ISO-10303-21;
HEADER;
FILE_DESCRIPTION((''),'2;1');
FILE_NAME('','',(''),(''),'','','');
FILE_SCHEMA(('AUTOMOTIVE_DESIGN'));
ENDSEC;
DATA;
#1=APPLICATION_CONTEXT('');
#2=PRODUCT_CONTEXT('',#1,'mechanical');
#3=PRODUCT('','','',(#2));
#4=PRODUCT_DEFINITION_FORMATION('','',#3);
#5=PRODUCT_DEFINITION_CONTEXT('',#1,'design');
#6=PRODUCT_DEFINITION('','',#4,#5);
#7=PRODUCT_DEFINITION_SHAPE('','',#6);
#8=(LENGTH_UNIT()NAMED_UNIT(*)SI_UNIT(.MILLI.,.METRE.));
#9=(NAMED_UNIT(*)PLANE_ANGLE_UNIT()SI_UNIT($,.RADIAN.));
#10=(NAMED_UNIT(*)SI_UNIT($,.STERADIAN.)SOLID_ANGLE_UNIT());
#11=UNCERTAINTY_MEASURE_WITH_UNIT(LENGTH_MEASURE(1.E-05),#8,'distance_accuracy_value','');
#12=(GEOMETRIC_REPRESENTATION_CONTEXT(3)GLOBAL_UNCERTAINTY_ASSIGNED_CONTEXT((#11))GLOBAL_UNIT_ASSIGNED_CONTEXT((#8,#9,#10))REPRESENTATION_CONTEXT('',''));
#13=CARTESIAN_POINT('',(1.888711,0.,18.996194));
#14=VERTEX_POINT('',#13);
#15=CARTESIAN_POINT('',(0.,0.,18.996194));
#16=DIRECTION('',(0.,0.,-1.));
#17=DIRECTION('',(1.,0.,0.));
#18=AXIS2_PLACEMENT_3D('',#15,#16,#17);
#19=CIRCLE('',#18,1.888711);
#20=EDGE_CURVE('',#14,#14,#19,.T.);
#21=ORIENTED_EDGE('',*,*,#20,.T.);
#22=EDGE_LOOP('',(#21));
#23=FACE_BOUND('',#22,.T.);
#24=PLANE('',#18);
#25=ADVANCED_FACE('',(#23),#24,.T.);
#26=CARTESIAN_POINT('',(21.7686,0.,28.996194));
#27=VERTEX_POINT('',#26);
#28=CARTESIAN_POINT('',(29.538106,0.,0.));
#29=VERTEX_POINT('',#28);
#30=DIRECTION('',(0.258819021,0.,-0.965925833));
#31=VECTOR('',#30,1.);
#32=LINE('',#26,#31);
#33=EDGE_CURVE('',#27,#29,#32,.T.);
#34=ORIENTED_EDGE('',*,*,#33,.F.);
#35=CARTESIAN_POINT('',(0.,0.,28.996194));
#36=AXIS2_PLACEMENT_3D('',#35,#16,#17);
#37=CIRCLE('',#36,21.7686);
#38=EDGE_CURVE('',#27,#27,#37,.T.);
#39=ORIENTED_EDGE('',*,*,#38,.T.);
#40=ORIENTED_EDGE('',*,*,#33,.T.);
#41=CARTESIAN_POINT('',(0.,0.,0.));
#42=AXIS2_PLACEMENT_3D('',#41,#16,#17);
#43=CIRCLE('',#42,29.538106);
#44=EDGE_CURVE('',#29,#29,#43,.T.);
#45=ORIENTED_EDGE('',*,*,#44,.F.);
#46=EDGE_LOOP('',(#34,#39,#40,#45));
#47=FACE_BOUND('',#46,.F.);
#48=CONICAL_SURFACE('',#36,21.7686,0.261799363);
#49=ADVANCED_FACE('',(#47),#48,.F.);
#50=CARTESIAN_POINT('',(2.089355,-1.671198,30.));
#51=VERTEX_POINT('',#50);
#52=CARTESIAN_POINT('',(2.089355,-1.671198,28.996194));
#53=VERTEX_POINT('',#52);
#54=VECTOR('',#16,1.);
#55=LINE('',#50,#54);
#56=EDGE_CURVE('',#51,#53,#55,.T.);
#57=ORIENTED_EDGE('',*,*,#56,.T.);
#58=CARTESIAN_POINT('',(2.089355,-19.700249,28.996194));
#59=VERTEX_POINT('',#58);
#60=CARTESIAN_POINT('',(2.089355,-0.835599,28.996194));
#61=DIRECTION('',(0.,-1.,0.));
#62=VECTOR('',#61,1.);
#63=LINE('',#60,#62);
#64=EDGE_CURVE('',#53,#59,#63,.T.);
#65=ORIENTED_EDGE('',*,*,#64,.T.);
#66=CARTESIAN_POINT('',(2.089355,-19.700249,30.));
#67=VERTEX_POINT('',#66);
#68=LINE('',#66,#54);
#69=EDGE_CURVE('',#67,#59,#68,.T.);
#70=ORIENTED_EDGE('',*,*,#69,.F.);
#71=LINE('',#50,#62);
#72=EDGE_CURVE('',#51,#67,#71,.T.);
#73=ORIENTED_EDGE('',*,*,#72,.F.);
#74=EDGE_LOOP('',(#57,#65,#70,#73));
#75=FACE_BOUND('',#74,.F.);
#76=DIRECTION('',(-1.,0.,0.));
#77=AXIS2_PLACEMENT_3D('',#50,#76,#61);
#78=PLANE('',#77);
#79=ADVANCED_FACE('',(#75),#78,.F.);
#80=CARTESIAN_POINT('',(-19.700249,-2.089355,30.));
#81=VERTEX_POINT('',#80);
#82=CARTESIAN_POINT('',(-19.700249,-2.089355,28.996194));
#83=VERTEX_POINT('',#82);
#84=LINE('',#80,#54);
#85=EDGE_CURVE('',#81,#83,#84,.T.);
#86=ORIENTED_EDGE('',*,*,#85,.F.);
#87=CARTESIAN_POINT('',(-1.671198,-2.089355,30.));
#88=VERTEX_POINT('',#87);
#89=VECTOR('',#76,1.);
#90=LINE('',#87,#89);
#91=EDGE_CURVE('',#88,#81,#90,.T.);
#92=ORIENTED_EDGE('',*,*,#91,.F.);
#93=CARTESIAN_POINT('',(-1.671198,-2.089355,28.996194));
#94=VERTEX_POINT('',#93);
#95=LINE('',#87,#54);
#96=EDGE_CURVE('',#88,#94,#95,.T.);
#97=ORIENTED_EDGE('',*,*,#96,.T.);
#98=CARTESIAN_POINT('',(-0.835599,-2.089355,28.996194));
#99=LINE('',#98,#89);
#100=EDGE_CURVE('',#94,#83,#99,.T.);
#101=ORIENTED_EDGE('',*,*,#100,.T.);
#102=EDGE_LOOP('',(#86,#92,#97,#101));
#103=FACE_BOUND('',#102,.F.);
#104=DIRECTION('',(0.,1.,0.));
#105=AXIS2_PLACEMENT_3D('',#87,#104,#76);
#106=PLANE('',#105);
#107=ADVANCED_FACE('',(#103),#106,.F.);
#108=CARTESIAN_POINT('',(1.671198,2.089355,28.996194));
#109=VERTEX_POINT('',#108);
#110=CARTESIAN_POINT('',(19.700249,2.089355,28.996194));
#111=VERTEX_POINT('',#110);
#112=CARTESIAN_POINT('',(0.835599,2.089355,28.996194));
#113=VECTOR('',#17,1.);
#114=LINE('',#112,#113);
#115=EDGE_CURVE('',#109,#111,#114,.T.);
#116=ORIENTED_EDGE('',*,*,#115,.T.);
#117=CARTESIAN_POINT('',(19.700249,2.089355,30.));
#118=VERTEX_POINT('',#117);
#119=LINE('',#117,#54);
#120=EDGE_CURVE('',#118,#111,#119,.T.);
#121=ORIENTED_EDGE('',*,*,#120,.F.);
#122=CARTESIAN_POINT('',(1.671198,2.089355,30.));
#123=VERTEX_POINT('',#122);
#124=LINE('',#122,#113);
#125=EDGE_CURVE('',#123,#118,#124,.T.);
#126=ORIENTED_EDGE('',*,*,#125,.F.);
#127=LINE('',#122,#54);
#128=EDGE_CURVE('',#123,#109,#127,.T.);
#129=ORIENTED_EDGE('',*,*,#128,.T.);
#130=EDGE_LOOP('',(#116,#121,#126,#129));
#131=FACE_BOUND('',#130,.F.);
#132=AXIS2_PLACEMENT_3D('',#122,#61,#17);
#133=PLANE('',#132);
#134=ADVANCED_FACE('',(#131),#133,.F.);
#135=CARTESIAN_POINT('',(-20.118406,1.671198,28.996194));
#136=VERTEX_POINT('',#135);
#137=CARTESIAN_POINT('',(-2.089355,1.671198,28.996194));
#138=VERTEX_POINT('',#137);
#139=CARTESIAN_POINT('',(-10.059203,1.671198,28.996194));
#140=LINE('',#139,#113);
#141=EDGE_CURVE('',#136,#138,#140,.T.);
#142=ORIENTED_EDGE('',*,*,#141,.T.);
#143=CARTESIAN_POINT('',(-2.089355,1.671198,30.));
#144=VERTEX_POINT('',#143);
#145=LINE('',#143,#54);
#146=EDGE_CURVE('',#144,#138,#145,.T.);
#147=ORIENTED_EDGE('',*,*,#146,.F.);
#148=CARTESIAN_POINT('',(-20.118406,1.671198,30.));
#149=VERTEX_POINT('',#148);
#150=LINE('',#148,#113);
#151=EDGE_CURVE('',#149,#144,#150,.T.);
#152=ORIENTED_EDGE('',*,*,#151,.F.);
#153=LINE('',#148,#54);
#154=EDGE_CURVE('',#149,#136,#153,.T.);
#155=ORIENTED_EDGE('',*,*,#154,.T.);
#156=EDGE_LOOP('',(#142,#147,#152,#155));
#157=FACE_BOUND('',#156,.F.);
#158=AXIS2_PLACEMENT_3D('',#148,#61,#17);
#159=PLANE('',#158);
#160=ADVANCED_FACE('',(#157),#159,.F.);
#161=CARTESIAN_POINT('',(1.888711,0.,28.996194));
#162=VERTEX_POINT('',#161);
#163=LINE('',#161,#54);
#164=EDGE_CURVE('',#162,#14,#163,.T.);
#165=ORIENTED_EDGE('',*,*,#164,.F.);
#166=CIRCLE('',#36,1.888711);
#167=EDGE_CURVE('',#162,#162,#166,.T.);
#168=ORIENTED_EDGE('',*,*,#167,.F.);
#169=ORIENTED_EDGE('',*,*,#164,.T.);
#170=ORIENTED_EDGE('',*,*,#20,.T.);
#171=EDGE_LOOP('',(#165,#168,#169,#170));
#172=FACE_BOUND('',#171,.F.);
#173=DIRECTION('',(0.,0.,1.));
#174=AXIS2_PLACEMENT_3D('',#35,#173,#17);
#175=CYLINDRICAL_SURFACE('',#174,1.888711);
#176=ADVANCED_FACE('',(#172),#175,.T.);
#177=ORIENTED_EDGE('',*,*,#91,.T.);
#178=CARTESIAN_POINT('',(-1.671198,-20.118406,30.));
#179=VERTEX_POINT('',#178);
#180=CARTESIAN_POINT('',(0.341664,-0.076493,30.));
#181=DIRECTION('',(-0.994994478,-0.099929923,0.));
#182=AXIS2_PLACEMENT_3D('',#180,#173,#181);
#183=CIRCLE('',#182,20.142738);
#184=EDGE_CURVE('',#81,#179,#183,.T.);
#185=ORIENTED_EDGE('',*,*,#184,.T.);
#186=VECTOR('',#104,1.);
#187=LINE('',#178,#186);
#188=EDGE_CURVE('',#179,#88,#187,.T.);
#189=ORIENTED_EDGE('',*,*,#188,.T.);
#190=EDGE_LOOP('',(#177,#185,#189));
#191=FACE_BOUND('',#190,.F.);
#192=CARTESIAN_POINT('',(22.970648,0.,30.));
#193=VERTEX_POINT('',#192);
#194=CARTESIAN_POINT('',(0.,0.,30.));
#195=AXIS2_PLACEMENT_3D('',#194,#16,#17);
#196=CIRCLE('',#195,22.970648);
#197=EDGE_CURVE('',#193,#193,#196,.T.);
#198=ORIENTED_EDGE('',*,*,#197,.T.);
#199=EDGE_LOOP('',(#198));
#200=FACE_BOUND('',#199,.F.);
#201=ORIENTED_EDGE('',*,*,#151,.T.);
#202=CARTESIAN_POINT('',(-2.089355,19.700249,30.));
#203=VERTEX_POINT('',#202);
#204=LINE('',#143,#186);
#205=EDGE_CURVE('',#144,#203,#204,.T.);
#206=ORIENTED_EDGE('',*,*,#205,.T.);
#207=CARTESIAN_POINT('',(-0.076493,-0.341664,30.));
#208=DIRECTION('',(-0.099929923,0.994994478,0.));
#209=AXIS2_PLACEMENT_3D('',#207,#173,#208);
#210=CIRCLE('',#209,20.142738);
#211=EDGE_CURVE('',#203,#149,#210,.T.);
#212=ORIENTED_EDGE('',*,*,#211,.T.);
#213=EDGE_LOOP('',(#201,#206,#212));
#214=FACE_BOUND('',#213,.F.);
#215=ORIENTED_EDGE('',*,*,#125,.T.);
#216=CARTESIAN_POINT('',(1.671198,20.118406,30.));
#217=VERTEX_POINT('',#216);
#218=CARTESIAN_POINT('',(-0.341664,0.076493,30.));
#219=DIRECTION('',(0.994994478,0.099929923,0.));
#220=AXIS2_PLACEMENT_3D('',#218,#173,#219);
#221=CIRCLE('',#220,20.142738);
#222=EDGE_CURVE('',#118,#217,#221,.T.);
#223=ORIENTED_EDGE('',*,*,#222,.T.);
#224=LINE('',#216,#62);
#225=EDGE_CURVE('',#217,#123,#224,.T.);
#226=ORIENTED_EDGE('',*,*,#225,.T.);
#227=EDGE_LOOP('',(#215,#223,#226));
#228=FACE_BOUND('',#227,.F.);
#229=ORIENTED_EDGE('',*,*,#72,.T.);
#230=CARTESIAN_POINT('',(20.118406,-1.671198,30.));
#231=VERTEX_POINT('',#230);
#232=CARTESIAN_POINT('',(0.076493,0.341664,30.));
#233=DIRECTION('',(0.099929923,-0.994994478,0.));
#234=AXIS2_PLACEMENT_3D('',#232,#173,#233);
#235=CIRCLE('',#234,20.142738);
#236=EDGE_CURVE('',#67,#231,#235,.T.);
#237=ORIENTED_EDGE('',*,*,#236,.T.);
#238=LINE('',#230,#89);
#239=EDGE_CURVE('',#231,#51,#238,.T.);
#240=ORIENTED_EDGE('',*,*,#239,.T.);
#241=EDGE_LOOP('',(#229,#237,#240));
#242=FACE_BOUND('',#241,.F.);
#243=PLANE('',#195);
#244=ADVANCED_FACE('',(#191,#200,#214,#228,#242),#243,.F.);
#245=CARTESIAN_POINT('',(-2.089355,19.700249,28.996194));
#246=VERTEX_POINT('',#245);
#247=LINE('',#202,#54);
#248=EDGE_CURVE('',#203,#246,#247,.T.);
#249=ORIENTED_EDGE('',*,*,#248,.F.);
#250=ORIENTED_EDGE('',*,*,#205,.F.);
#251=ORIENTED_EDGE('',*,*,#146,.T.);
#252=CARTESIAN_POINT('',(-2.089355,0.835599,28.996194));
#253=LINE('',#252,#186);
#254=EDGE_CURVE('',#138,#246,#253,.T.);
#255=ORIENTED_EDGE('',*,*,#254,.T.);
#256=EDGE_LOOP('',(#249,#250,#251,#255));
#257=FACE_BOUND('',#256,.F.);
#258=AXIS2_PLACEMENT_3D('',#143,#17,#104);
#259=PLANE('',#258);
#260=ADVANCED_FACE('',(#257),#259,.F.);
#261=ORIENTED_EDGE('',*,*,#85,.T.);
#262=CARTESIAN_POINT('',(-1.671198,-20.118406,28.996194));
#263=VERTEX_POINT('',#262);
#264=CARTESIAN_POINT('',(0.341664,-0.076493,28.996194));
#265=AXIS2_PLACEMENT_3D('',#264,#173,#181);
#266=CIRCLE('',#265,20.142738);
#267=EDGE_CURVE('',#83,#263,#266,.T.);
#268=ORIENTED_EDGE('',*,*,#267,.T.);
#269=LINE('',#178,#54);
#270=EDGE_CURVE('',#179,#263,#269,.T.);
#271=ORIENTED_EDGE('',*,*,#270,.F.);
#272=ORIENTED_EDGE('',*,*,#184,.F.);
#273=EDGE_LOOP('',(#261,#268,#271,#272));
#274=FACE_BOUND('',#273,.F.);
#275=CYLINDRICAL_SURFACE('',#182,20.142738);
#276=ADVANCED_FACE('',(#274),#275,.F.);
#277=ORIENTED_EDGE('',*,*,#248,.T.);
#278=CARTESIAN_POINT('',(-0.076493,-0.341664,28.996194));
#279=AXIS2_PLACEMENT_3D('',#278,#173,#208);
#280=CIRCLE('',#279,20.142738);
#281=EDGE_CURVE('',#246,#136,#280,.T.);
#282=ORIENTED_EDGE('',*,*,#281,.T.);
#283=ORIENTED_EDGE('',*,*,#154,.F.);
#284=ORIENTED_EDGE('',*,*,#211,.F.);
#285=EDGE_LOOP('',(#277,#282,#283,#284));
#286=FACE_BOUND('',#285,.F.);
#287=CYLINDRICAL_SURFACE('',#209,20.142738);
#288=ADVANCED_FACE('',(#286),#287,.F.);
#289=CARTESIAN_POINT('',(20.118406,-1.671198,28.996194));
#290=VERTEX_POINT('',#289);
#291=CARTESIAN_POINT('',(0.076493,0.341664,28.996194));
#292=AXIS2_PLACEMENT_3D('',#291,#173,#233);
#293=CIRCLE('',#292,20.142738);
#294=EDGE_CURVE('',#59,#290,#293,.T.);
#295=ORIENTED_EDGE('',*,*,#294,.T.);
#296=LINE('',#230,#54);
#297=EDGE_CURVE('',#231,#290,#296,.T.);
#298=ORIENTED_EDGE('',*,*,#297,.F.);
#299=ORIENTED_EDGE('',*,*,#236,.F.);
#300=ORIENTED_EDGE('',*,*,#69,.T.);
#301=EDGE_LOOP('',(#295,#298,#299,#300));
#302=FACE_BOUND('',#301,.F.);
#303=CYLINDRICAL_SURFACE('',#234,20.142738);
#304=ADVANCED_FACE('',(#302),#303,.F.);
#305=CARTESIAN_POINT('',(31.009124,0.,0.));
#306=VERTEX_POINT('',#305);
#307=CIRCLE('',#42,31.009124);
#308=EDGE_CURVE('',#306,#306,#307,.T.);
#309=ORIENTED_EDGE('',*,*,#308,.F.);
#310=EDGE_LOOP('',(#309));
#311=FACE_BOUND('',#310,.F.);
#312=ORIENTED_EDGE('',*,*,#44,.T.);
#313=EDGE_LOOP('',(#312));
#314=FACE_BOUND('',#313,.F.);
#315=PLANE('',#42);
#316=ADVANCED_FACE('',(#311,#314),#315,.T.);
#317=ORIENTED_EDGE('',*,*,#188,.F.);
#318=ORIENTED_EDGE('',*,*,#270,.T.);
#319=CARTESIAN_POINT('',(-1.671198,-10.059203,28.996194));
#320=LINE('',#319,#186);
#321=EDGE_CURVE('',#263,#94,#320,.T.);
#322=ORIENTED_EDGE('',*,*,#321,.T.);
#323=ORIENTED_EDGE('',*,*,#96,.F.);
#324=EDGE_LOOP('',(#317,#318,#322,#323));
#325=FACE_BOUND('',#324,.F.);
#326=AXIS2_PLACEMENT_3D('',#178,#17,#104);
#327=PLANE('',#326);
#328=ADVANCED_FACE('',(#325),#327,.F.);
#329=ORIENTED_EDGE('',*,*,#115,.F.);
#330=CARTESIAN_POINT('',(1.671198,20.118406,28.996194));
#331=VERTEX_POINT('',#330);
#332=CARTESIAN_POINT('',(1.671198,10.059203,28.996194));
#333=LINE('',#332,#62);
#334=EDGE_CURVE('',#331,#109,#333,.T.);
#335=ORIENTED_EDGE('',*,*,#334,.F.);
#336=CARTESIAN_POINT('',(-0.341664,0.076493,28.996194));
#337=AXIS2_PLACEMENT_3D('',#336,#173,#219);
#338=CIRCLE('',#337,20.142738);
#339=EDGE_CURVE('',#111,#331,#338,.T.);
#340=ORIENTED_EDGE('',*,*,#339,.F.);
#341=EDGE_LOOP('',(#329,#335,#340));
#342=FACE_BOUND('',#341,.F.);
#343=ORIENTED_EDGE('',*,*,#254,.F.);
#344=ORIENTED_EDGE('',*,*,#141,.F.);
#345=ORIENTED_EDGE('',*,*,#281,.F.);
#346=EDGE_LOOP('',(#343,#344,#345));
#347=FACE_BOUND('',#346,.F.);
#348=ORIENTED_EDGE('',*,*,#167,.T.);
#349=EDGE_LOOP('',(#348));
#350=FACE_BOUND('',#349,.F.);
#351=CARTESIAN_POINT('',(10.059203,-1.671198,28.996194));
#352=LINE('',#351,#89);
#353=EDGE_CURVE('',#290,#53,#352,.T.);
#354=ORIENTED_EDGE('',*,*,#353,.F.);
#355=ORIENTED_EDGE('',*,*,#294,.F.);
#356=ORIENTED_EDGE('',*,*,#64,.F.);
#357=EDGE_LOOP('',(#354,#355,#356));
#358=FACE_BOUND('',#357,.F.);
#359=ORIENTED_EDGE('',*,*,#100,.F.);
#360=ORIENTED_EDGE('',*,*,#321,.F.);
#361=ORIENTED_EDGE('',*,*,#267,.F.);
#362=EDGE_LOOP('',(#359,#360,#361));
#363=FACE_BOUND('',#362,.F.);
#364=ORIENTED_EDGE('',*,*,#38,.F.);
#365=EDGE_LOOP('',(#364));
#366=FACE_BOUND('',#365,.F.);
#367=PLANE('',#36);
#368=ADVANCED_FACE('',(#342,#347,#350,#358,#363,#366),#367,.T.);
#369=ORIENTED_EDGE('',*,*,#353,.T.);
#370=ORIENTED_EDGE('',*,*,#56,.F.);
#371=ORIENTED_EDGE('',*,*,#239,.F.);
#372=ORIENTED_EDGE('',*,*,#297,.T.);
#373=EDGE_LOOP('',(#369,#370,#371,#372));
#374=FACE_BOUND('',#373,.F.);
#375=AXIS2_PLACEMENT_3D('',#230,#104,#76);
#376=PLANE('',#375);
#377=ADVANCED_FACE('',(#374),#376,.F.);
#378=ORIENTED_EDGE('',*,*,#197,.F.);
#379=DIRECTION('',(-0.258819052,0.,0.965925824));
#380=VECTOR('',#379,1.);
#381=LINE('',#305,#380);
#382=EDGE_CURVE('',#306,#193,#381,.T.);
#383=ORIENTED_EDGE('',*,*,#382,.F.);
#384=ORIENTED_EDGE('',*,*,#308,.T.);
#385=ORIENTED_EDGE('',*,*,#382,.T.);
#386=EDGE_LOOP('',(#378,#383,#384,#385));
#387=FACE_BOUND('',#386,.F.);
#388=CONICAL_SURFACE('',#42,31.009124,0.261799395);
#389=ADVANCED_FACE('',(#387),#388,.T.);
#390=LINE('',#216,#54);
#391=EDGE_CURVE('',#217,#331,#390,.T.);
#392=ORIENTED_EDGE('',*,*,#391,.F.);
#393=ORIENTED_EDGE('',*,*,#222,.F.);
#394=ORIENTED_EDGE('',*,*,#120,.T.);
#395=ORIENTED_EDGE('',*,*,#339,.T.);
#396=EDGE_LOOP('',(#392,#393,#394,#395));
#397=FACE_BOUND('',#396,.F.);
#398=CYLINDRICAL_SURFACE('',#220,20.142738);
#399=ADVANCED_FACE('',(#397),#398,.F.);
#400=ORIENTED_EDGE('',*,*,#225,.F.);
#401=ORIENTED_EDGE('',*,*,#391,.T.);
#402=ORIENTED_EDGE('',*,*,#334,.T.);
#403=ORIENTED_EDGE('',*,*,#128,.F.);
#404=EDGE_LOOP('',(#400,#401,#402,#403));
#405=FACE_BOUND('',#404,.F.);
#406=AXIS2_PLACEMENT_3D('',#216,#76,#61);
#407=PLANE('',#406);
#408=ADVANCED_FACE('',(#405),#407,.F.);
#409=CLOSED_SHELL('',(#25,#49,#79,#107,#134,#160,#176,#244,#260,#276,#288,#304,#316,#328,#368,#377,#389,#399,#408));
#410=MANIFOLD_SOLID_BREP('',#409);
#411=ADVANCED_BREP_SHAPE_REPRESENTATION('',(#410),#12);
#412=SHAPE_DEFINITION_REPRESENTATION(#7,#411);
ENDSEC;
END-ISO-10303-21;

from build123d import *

# Parameters (mm, degrees)
F3_DEPTH = 25
F4_R     = 1.888711
F5_DEPTH = 10


with BuildPart() as f1:
    # F0 (on Front) → F1 (revolve)
    with BuildSketch(Plane.XZ):
        Polygon((21.7686, 28.996194), (29.538106, 0), (31.009124, 0), (22.970648, 30), (0, 30), (0, 28.996194), align=None)
    revolve(axis=Axis((0, 0, 15), (0, 0, -1)))

    # F2 (on face) → F3 (cut)
    with BuildSketch(Plane.XY.offset(30)):
        with BuildLine():
            Line((-2.089355, 1.671198), (-2.089355, 19.700249))
            ThreePointArc((-2.089355, 19.700249), (-14.319559, 13.901403), (-20.118406, 1.671198))
            Line((-20.118406, 1.671198), (-2.089355, 1.671198))
        make_face()
        with BuildLine():
            Line((1.671198, 20.118406), (1.671198, 2.089355))
            Line((1.671198, 2.089355), (19.700249, 2.089355))
            ThreePointArc((19.700249, 2.089355), (13.901403, 14.319559), (1.671198, 20.118406))
        make_face()
        with BuildLine():
            Line((-1.671198, -2.089355), (-19.700249, -2.089355))
            ThreePointArc((-19.700249, -2.089355), (-13.901403, -14.319559), (-1.671198, -20.118406))
            Line((-1.671198, -20.118406), (-1.671198, -2.089355))
        make_face()
        with BuildLine():
            Line((2.089355, -1.671198), (2.089355, -19.700249))
            ThreePointArc((2.089355, -19.700249), (14.319559, -13.901403), (20.118406, -1.671198))
            Line((20.118406, -1.671198), (2.089355, -1.671198))
        make_face()
    extrude(amount=-F3_DEPTH, mode=Mode.SUBTRACT)

    # F4 (on face) → F5 (join)
    with BuildSketch(Plane(origin=(0, 0, 28.996194), x_dir=(1, 0, 0), z_dir=(0, 0, -1))):
        Circle(F4_R)
    extrude(amount=F5_DEPTH)


solid = f1.part
